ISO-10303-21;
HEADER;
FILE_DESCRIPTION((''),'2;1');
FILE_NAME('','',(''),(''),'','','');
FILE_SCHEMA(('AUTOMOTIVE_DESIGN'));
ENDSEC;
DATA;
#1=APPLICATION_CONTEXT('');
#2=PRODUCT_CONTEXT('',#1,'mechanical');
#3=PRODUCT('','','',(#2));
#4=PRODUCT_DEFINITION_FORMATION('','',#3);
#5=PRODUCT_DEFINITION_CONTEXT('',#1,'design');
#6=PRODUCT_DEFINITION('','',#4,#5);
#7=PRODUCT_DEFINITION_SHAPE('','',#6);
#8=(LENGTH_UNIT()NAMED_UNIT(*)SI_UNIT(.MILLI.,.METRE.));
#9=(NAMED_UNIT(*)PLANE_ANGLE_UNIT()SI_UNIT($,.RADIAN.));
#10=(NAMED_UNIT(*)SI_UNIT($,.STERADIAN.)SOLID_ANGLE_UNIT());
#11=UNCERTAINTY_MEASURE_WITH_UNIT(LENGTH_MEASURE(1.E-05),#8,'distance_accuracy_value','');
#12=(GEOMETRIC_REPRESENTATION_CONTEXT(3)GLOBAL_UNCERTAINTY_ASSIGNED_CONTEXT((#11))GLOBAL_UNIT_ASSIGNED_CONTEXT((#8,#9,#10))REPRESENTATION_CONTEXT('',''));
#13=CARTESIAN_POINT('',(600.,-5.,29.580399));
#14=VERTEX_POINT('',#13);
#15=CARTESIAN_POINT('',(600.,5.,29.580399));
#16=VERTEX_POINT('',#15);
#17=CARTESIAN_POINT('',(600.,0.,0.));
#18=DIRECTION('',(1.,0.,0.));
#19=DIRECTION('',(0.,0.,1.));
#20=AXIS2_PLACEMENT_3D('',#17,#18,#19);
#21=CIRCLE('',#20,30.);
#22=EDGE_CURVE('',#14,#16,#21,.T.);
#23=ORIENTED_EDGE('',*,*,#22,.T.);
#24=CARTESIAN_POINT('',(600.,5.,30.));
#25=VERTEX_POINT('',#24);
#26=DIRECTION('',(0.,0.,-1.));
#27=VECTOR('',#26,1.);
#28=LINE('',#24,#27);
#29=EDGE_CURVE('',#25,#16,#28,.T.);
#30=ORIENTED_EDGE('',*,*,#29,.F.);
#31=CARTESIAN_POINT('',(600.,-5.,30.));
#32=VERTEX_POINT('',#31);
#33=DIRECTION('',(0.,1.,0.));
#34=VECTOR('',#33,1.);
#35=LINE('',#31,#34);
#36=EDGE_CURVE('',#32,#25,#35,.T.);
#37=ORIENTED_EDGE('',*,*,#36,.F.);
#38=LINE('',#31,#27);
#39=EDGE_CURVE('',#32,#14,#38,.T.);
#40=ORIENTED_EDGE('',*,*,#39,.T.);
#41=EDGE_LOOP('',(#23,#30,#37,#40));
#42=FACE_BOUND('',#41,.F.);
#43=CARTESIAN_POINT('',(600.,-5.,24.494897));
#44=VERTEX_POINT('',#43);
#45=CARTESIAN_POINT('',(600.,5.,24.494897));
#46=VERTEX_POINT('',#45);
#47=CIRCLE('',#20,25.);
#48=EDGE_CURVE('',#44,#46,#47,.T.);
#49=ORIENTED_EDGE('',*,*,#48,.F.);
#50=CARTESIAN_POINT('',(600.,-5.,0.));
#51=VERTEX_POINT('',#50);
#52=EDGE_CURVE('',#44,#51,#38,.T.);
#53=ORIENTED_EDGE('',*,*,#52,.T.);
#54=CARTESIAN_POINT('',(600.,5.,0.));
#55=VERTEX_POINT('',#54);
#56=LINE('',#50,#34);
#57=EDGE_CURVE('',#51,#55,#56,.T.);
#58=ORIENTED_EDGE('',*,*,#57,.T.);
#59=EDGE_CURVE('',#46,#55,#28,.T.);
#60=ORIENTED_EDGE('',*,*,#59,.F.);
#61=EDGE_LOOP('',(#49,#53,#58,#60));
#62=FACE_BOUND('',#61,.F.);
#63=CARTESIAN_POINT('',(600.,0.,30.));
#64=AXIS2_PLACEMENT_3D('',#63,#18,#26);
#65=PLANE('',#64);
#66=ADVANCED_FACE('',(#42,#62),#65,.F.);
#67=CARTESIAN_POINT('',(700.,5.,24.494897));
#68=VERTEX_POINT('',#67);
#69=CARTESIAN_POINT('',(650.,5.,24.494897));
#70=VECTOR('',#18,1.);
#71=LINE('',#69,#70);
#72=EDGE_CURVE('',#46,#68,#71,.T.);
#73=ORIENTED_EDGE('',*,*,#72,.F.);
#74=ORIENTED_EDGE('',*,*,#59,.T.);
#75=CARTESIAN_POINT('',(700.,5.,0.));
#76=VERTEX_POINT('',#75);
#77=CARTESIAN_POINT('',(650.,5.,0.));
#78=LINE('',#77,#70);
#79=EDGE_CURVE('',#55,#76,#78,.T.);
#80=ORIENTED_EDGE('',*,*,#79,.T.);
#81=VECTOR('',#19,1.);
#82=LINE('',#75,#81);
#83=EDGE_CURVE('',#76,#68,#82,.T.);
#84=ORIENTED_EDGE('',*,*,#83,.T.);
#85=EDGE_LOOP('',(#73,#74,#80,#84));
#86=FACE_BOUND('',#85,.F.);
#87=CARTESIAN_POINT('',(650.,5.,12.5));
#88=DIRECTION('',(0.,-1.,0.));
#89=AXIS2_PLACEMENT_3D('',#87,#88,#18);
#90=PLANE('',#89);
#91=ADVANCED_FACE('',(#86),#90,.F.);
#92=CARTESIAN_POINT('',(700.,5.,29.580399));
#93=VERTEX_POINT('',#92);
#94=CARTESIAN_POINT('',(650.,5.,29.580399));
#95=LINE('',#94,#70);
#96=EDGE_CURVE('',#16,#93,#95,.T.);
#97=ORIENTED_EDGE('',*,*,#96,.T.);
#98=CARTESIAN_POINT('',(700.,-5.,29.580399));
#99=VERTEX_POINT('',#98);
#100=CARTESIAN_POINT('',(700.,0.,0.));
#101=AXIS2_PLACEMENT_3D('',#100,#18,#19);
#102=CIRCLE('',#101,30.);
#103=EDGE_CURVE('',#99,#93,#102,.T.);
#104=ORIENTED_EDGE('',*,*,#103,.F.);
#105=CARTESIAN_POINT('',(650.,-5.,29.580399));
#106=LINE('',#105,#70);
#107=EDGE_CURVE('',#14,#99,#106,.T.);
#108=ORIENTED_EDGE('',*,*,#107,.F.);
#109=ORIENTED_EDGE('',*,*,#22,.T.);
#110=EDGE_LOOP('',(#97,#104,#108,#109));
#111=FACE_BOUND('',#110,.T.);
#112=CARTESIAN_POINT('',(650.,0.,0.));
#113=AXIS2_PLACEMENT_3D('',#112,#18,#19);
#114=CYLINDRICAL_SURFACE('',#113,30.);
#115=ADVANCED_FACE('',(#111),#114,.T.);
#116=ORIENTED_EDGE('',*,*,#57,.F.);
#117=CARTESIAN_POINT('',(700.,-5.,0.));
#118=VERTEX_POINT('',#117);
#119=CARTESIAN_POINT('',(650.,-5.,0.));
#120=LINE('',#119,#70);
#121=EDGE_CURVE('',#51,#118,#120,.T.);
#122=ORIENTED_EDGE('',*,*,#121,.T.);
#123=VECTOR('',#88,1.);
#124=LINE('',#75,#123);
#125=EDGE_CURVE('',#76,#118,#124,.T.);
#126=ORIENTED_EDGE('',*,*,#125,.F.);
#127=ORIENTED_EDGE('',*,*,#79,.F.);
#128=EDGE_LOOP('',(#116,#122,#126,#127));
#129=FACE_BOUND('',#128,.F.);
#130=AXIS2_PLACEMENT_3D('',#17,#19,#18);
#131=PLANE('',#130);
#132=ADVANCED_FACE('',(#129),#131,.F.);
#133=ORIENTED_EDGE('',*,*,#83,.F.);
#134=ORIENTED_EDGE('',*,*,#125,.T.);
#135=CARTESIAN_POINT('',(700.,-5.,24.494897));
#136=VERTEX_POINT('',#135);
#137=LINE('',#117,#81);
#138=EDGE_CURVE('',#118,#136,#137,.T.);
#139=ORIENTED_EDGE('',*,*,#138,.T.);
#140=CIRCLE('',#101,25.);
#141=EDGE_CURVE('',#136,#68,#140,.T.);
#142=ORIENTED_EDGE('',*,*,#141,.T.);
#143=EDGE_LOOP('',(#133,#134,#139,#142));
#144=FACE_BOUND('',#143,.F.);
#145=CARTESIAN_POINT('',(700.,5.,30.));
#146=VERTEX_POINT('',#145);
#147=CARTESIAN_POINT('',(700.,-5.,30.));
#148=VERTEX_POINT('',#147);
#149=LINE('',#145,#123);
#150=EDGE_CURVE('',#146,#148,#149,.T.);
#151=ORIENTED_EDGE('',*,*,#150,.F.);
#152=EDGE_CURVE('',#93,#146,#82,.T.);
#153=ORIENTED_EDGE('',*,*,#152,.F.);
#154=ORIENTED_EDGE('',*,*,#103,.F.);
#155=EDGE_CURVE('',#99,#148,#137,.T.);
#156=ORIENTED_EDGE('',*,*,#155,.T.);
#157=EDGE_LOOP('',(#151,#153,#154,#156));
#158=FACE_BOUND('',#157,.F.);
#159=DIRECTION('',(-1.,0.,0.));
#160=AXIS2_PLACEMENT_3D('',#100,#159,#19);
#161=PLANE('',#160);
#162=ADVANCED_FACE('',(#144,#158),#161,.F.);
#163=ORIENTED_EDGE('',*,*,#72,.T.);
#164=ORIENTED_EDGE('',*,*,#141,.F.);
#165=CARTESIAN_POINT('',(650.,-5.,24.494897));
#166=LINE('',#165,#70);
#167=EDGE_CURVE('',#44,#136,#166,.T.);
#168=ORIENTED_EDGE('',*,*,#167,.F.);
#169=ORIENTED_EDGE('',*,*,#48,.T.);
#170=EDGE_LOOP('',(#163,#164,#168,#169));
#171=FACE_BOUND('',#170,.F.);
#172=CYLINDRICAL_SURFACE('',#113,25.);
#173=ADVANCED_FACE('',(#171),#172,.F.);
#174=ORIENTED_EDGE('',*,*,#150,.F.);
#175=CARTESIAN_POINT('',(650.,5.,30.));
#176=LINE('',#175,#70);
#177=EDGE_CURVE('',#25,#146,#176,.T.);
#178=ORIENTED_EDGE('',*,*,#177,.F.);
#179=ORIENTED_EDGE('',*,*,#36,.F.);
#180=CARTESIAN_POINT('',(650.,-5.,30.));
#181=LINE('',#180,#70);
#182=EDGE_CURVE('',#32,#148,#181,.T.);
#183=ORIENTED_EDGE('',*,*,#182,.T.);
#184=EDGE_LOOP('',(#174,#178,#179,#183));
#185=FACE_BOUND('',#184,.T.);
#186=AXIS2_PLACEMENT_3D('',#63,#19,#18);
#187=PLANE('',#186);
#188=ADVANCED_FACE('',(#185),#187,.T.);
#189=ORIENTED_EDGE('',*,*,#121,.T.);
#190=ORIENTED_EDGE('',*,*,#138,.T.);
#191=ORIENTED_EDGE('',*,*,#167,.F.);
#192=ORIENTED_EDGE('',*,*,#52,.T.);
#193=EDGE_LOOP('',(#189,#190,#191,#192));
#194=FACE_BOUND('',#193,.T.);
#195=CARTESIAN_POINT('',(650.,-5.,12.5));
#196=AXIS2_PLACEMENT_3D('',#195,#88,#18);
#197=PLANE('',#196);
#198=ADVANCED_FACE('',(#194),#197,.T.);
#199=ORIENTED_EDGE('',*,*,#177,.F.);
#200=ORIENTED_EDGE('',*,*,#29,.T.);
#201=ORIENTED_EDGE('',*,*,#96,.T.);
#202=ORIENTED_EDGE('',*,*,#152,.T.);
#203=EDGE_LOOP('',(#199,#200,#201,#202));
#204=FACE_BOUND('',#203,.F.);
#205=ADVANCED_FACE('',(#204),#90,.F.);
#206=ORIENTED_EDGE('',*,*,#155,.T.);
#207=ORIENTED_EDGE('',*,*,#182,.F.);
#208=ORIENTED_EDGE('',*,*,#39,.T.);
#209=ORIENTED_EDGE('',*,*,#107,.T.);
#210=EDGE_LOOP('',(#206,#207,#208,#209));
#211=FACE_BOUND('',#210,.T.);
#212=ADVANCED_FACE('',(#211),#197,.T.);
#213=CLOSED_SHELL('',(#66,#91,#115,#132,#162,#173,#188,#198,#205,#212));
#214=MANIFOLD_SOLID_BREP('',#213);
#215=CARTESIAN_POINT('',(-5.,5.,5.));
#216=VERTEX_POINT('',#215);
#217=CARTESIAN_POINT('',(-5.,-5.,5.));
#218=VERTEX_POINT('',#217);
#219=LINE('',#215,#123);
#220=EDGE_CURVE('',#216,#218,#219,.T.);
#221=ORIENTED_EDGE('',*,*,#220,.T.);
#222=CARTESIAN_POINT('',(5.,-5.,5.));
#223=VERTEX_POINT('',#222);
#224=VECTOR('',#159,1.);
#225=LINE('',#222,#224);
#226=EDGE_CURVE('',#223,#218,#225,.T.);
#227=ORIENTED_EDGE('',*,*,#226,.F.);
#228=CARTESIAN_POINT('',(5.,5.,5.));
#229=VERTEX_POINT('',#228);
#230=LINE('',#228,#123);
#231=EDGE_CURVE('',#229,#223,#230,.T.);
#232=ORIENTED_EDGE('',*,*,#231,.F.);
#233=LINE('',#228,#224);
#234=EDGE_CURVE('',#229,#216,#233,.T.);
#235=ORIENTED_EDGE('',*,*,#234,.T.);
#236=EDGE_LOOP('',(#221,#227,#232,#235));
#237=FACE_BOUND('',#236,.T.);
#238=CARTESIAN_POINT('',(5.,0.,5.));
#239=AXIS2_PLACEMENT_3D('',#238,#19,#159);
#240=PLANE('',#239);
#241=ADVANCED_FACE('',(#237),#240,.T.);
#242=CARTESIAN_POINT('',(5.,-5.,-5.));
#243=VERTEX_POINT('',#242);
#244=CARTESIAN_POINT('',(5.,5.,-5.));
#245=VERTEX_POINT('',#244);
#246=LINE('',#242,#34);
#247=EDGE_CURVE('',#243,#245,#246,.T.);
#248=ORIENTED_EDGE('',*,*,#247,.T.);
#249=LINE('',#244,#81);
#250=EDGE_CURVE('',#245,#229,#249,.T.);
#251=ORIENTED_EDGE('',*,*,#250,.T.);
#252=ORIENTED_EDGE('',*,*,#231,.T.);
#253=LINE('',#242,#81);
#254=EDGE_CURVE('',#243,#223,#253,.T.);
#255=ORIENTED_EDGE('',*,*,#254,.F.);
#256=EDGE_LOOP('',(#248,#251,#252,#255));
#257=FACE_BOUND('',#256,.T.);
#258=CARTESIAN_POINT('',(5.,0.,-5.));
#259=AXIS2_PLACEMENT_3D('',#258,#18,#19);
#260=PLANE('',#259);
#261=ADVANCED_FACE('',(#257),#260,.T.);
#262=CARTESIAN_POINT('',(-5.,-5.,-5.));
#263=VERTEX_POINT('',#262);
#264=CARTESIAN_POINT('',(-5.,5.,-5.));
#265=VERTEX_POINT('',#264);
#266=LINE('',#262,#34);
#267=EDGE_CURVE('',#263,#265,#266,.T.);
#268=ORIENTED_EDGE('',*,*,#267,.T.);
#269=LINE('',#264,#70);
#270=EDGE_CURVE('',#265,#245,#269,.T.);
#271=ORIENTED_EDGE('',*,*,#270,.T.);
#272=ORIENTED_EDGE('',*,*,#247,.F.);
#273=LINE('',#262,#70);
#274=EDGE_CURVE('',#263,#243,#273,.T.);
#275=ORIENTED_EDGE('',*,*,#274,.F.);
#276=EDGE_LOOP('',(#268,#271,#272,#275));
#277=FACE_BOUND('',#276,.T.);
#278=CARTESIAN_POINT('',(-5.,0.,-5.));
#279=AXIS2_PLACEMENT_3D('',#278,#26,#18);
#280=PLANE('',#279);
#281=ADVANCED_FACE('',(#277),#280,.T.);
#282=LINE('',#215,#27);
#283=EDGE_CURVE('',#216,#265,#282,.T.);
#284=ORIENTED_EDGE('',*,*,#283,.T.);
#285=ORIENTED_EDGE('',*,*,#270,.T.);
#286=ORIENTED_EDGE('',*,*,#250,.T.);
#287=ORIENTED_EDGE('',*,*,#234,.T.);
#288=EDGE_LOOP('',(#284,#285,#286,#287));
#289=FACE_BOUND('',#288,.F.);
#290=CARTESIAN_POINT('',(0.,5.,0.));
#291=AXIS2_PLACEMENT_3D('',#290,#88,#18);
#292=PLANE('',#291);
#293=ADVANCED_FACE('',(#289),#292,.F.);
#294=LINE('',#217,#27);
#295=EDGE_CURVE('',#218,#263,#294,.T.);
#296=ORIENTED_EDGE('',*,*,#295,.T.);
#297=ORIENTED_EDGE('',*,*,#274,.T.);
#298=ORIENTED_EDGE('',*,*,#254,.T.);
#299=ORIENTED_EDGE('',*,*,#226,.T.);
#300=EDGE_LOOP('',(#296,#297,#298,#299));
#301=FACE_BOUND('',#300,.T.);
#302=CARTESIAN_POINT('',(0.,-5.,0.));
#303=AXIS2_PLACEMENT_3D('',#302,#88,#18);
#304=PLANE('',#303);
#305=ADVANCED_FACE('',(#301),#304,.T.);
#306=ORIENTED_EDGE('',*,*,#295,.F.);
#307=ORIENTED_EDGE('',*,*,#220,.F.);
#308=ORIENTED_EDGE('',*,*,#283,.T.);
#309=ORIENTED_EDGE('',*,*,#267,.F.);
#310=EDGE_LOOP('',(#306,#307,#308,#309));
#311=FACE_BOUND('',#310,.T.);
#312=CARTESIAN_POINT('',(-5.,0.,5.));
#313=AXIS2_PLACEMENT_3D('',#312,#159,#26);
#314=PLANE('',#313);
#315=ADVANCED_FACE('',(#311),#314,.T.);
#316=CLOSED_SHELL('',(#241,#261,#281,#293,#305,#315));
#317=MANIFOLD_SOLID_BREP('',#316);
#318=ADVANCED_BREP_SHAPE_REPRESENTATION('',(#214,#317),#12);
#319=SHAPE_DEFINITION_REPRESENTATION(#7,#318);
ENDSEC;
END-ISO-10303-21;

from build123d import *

# Parameters (mm, degrees)
F0_W     = 100
F0_H     = 5
F0_H_2   = 25
F2_DEPTH = 5


with BuildPart() as f1:
    # F0 (on Front) → F1 (revolve)
    with BuildSketch(Plane.XZ):
        with Locations((650, 27.5)):
            Rectangle(F0_W, F0_H)
    revolve(axis=Axis((650, 0, 0), (1, 0, 0)))

    # F0 (on Front) → F2 (join, symmetric)
    with BuildSketch(Plane.XZ):
        with Locations((650, 12.5)):
            Rectangle(F0_W, F0_H_2)
        Polygon((5, -5), (5, 0), (5, 5), (-5, 5), (-5, -5), align=None)
        with Locations((650, 27.5)):
            Rectangle(F0_W, F0_H)
    extrude(amount=F2_DEPTH, both=True)


solid = f1.part
